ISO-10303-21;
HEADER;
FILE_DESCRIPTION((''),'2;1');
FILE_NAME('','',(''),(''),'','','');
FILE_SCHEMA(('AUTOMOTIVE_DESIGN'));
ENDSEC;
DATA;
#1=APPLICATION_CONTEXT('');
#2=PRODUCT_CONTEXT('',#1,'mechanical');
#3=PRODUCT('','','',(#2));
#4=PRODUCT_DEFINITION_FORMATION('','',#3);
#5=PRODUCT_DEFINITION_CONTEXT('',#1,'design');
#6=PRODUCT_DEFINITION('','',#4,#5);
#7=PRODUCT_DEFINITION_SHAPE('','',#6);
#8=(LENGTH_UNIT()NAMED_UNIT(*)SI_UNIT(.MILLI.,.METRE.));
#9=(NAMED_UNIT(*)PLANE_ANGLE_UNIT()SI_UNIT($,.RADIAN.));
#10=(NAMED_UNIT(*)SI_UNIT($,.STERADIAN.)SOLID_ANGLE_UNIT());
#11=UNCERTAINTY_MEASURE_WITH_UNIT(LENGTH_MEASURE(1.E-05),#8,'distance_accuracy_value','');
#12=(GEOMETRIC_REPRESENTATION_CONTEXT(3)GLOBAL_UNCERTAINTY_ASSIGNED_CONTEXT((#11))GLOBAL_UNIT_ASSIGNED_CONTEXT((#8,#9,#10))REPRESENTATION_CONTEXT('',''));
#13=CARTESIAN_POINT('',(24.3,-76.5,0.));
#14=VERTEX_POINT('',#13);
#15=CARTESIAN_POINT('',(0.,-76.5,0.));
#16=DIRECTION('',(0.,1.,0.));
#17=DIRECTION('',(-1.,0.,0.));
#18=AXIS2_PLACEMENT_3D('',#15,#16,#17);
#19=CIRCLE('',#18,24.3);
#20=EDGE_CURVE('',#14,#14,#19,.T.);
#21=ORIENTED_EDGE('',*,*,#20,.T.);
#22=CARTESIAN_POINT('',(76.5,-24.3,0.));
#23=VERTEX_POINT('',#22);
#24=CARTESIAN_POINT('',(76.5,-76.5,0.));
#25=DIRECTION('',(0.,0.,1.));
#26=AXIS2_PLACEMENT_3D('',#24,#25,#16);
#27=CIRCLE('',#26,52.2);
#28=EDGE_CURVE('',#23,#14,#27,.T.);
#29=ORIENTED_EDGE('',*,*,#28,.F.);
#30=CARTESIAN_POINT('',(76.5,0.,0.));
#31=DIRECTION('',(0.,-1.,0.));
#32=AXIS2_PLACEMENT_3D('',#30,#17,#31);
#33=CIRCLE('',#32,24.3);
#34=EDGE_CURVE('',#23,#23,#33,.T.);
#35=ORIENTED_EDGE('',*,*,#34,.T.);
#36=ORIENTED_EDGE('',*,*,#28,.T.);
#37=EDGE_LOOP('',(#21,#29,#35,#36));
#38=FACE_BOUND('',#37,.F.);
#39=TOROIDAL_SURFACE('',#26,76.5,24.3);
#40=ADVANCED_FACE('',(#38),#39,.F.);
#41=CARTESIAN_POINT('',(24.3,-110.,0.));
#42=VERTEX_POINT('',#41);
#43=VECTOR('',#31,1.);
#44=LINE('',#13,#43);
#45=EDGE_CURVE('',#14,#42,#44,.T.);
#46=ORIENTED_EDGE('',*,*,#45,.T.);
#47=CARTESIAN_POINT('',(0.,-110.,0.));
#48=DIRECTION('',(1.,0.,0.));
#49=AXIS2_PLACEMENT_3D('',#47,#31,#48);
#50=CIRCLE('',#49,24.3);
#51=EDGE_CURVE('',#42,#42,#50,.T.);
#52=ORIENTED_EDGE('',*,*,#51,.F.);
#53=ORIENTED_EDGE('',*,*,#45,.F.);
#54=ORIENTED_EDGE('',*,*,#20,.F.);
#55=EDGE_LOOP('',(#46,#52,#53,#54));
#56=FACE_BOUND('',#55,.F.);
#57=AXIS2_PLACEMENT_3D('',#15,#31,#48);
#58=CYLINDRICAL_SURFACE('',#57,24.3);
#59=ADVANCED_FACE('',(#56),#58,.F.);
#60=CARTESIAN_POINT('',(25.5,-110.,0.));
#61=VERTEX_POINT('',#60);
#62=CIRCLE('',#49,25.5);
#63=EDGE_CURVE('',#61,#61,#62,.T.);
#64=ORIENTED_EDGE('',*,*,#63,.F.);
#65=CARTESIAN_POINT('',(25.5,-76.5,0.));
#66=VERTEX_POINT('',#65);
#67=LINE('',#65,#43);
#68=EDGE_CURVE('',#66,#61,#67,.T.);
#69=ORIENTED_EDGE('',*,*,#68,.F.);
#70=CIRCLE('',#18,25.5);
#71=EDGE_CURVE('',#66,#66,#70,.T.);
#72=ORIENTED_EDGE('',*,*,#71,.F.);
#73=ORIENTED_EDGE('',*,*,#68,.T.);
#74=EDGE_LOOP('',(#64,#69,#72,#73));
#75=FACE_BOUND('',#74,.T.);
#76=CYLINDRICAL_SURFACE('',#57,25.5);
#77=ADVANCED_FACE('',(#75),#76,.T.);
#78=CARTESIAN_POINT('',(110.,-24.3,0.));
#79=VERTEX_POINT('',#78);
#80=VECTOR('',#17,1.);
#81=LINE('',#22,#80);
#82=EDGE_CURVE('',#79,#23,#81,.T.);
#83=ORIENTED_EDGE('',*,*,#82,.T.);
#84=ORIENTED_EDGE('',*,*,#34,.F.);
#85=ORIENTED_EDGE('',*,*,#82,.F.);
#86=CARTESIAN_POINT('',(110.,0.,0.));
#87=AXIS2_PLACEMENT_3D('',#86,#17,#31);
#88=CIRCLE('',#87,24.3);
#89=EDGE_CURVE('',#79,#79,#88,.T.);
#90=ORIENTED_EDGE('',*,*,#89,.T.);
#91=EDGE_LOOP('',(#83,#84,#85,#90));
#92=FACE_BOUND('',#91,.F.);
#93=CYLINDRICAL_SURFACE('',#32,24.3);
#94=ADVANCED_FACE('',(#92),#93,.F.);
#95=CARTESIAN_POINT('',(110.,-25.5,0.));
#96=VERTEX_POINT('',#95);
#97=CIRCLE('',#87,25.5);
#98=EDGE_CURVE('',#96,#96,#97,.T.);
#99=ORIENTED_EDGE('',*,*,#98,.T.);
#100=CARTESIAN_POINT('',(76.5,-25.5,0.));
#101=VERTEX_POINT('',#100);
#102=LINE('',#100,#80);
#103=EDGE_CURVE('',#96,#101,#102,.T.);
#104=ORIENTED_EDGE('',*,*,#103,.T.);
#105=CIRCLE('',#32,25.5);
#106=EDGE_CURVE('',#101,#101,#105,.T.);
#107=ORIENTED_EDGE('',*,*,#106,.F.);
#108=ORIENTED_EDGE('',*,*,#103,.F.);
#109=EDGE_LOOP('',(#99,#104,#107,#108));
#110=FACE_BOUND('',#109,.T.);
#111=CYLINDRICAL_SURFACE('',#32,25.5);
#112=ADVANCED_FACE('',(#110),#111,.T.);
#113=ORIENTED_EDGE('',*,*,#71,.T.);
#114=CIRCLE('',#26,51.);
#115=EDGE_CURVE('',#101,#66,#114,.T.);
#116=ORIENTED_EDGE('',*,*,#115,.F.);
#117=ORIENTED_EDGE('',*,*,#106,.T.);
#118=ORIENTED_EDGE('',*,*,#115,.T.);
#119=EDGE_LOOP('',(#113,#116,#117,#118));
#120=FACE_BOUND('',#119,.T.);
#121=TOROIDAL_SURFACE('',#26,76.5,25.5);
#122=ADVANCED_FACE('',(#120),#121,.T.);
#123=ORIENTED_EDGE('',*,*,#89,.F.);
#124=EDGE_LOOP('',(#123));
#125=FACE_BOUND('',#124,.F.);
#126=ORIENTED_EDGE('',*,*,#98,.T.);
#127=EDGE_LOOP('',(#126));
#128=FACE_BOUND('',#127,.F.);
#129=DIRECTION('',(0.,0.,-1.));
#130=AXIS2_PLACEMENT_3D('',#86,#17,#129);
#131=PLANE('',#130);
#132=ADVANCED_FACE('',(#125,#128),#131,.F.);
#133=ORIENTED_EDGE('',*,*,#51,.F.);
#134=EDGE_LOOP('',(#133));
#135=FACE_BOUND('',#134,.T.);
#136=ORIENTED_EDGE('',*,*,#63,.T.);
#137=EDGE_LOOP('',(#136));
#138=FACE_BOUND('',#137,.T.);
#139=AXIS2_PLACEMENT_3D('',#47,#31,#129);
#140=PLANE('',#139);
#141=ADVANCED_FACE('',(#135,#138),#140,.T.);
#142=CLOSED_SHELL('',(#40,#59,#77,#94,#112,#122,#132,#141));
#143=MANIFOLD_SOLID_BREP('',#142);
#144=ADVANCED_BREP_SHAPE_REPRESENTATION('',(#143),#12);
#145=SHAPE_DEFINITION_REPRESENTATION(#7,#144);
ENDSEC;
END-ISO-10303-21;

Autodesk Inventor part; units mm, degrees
ref_plane "YZ Plane" through (0, 0, 0) normal (1, 0, 0) x (0, 1, 0)
ref_plane "XZ Plane" through (0, 0, 0) normal (0, 1, 0) x (-1, 0, 0)
sketch "Szkic6" plane through (0, 0, 0) normal (0, 0, 1) x (1, 0, 0)
  line L0 (-41.0124, 0) -> (135.1687, 0) construction
  line L1 (0, 41.0124) -> (0, -135.1687) construction
  arc A0 (76.5, 0) -> (0, -76.5) centre (76.5, -76.5) ccw
  line L2 (0, -76.5) -> (76.5, -76.5) construction
  line L3 (76.5, -76.5) -> (76.5, -10.9669) construction
  line L4 (76.5, 0) -> (110, 0)
  line L5 (0, -76.5) -> (0, -110)
  point P0 (0, 0)
  dimension "d24" = 76.5
  dimension "d31" = 90
  dimension "d36" = 33.5
  dimension "d37" = 33.5
ref_plane "Płaszczyzna konstrukcyjna2" through (0, -76.5, 0) normal (0, -1, 0) x (1, 0, 0)
sketch "Szkic8" plane through (0, -76.5, 0) normal (0, -1, 0) x (1, 0, 0)
  circle A0 centre (0, 0) radius 25.5
  circle A1 centre (0, 0) radius 24.3
  dimension "d32" = 51
  dimension "d33" = 1.2
sweep "Przeciągnięcie2" add profiles "Szkic8" path "Szkic6"
equation "\"d32\" = OD"
equation "\"d33\" = THK"
equation "\"d24\" = R"
equation "\"d31\" = KAT"
equation "\"d36\" = PROSTKA"
equation "\"d37\" = PROSTKA"
equation "\"SzerokośćGięciaPodcięcia\" = Grubość"
equation "\"RozmiarPodcięciaNarożnika\" = 4 * Grubość"
equation "\"PromieńPrzejścia\" = PromieńGięcia"
equation "\"Rozmiar_promienia_Jacobiego\" = PromieńGięcia"
equation "\"Wielk_odstępu\" = Grubość"
equation "\"d2\" = PromieńGięcia"
equation "\"d23\" = PromieńGięcia"
equation "\"R\" = 76.5"
equation "\"OD\" = 51"
equation "\"THK\" = 1.2"
equation "\"KAT\" = 90deg"
equation "\"PROSTKA\" = 33.5"
equation "\"Grubość\" = 1.5"
equation "\"PromieńGięcia\" = 3"
properties part number "Kolano 90° ø51x1,2 R76,5" material "304L"
